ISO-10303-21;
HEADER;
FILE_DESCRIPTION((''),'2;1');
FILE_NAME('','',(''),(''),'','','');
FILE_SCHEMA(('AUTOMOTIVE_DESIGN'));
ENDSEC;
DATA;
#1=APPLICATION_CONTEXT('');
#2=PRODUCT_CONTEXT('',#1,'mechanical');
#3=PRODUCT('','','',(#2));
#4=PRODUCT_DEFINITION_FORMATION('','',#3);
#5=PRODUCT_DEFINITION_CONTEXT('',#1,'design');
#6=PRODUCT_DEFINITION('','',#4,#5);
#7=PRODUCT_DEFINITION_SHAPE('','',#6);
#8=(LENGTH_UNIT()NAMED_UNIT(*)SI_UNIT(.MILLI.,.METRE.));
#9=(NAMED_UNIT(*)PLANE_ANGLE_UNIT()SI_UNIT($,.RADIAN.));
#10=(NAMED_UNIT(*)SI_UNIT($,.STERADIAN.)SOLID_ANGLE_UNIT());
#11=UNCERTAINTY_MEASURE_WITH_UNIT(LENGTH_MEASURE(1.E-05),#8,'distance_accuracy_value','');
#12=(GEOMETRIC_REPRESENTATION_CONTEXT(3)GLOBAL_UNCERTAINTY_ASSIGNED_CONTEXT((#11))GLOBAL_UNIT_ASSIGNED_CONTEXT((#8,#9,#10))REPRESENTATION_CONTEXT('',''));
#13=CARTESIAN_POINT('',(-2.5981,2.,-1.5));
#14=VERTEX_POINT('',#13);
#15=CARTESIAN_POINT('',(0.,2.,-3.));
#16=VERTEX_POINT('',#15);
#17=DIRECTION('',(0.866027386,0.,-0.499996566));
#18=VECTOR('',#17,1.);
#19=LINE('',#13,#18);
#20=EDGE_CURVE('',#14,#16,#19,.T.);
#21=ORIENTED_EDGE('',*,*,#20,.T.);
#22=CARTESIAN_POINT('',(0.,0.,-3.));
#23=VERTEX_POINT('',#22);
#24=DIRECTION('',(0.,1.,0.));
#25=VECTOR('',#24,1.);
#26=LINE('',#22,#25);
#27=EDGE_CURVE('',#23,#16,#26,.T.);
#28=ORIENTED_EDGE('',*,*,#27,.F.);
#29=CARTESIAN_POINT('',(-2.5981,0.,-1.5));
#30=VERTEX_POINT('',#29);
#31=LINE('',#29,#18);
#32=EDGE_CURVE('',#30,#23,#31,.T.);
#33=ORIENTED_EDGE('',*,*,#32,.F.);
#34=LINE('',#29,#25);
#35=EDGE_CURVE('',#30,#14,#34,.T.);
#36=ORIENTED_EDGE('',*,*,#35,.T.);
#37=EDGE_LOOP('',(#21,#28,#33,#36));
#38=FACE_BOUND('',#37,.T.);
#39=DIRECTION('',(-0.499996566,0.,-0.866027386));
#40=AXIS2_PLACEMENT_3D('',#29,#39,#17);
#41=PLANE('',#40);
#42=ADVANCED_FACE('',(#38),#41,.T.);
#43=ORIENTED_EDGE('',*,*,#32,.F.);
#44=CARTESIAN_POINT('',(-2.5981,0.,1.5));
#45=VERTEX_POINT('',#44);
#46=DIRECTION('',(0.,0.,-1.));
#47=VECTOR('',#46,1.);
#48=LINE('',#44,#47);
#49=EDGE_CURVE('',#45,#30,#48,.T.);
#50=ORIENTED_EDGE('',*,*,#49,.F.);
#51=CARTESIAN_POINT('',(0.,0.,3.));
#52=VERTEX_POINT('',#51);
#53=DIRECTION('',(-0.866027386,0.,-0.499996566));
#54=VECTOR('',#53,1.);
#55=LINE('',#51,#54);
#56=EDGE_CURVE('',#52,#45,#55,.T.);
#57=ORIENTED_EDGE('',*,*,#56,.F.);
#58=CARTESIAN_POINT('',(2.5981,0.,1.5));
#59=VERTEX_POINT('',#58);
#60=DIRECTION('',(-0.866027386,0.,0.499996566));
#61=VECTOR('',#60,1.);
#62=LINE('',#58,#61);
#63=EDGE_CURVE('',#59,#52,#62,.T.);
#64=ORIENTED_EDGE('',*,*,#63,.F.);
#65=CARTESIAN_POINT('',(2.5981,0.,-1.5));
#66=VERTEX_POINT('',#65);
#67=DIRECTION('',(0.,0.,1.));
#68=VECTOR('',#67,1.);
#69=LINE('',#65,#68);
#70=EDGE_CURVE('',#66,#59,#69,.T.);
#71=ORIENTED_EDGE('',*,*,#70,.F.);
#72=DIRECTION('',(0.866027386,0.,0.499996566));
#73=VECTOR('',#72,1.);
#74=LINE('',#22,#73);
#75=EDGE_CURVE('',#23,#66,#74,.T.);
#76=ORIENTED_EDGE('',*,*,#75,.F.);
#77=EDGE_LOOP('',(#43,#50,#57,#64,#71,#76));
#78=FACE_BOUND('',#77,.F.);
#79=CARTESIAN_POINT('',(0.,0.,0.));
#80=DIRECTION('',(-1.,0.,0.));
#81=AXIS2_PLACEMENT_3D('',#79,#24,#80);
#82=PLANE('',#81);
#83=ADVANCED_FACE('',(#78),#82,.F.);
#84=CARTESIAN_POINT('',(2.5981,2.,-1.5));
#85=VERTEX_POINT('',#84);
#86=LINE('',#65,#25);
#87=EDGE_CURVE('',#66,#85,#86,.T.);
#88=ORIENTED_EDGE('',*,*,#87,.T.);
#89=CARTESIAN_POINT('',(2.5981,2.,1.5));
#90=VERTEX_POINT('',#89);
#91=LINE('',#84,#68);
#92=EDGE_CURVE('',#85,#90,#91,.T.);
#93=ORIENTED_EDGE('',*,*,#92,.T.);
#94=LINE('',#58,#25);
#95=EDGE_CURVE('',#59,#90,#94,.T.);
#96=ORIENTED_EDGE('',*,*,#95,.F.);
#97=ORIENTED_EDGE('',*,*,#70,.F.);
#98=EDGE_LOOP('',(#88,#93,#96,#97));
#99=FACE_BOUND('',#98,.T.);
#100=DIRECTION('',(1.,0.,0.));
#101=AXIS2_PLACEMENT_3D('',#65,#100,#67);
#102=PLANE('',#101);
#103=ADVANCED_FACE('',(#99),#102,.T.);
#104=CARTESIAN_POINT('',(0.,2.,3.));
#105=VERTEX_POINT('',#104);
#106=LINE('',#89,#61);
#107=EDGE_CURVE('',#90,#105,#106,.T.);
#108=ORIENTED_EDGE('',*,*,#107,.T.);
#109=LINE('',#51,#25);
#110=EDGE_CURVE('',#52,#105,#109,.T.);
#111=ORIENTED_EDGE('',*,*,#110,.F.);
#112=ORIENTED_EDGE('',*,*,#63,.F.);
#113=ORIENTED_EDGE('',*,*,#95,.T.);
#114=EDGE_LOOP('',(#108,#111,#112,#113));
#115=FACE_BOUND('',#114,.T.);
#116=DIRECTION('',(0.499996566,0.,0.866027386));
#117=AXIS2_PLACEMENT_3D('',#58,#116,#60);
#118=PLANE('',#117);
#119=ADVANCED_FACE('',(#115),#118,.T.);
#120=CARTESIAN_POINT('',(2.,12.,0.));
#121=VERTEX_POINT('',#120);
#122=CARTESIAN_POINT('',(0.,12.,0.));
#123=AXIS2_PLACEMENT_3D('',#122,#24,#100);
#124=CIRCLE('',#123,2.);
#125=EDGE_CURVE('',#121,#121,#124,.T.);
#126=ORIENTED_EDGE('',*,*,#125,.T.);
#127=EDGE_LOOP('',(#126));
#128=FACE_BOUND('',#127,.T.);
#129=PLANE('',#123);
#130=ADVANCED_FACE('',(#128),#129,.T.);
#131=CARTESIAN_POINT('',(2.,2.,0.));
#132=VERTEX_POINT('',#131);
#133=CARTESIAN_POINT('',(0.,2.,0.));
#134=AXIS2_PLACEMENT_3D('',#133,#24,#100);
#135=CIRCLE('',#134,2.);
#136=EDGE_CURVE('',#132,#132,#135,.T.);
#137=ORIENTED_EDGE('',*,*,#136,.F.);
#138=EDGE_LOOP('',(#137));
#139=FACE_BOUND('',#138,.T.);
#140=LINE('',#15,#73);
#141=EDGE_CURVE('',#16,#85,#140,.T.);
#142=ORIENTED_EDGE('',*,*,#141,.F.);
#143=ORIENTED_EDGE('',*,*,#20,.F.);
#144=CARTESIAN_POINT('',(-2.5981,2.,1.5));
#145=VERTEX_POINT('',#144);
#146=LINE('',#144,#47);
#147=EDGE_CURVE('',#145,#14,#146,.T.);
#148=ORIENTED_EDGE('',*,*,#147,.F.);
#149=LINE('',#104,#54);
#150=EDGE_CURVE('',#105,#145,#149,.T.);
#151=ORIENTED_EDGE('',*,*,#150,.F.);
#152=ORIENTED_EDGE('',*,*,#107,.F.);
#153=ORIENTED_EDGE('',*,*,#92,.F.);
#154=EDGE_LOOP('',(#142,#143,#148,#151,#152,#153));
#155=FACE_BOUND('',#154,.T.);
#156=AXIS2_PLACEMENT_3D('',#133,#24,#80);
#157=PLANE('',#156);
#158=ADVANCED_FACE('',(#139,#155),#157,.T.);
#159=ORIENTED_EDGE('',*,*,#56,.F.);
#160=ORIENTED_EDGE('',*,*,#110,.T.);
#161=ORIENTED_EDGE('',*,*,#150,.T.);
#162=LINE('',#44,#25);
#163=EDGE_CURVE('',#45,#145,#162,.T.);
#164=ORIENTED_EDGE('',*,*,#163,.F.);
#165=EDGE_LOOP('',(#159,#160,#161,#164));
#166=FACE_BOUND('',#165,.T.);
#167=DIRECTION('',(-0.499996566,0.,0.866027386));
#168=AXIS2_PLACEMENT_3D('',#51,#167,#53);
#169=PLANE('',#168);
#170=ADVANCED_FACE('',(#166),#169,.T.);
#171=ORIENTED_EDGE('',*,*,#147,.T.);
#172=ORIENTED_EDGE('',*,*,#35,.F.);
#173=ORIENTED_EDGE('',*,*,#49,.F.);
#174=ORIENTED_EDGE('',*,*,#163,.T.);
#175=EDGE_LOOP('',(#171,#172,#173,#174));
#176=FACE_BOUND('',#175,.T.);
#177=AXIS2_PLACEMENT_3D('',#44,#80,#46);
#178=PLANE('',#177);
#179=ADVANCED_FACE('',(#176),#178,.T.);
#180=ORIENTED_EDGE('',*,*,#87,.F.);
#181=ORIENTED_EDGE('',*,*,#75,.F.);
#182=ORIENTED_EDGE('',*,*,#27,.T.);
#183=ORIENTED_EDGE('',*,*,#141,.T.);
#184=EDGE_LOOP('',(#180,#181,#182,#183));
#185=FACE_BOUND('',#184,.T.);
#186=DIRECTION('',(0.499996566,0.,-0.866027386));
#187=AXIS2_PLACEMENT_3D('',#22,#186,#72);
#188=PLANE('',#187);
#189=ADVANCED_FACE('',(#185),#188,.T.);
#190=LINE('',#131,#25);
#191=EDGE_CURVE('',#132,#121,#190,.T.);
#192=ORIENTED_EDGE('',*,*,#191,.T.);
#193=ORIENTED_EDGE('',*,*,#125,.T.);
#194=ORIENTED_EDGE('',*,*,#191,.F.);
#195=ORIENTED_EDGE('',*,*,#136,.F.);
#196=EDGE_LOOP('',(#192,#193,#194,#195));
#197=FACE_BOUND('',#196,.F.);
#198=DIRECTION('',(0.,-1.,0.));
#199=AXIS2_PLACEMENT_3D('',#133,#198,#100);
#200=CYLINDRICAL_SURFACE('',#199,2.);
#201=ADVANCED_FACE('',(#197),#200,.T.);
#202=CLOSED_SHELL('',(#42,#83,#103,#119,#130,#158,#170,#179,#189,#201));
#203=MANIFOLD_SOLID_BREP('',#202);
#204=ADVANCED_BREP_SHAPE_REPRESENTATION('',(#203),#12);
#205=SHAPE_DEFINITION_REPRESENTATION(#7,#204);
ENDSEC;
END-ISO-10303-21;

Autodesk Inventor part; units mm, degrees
ref_plane "YZ Plane" through (0, 0, 0) normal (1, 0, 0) x (0, 1, 0)
ref_plane "XZ Plane" through (0, 0, 0) normal (0, 1, 0) x (-1, 0, 0)
ref_plane "XY Plane" through (0, 0, 0) normal (0, 0, 1) x (1, 0, 0)
sketch "Sketch1" plane through (0, 0, 0) normal (0, 1, 0) x (-1, 0, 0)
  line L0 (0, -3) -> (-2.5981, -1.5)
  line L1 (-2.5981, -1.5) -> (-2.5981, 1.5)
  line L2 (-2.5981, 1.5) -> (0, 3)
  line L3 (0, 3) -> (2.5981, 1.5)
  line L4 (2.5981, 1.5) -> (2.5981, -1.5)
  line L5 (2.5981, -1.5) -> (0, -3)
  point P0 (0, 0)
  point P1 (0, 0)
  dimension "d5" = 6
extrude "Extrusion1" add sketch "Sketch1" along normal blind 2
sketch "Sketch2" plane through (0, 2, 0) normal (0, 1, 0) x (1, 0, 0)
  circle A0 centre (0, 0) radius 2
  dimension "d2" = 4
extrude "Extrusion2" add sketch "Sketch2" along normal blind 10
thread "Thread1" size "M4x0.7" class "6g" standard "ANSI Metric M Profile" full length
properties part number "M4 bolt"
